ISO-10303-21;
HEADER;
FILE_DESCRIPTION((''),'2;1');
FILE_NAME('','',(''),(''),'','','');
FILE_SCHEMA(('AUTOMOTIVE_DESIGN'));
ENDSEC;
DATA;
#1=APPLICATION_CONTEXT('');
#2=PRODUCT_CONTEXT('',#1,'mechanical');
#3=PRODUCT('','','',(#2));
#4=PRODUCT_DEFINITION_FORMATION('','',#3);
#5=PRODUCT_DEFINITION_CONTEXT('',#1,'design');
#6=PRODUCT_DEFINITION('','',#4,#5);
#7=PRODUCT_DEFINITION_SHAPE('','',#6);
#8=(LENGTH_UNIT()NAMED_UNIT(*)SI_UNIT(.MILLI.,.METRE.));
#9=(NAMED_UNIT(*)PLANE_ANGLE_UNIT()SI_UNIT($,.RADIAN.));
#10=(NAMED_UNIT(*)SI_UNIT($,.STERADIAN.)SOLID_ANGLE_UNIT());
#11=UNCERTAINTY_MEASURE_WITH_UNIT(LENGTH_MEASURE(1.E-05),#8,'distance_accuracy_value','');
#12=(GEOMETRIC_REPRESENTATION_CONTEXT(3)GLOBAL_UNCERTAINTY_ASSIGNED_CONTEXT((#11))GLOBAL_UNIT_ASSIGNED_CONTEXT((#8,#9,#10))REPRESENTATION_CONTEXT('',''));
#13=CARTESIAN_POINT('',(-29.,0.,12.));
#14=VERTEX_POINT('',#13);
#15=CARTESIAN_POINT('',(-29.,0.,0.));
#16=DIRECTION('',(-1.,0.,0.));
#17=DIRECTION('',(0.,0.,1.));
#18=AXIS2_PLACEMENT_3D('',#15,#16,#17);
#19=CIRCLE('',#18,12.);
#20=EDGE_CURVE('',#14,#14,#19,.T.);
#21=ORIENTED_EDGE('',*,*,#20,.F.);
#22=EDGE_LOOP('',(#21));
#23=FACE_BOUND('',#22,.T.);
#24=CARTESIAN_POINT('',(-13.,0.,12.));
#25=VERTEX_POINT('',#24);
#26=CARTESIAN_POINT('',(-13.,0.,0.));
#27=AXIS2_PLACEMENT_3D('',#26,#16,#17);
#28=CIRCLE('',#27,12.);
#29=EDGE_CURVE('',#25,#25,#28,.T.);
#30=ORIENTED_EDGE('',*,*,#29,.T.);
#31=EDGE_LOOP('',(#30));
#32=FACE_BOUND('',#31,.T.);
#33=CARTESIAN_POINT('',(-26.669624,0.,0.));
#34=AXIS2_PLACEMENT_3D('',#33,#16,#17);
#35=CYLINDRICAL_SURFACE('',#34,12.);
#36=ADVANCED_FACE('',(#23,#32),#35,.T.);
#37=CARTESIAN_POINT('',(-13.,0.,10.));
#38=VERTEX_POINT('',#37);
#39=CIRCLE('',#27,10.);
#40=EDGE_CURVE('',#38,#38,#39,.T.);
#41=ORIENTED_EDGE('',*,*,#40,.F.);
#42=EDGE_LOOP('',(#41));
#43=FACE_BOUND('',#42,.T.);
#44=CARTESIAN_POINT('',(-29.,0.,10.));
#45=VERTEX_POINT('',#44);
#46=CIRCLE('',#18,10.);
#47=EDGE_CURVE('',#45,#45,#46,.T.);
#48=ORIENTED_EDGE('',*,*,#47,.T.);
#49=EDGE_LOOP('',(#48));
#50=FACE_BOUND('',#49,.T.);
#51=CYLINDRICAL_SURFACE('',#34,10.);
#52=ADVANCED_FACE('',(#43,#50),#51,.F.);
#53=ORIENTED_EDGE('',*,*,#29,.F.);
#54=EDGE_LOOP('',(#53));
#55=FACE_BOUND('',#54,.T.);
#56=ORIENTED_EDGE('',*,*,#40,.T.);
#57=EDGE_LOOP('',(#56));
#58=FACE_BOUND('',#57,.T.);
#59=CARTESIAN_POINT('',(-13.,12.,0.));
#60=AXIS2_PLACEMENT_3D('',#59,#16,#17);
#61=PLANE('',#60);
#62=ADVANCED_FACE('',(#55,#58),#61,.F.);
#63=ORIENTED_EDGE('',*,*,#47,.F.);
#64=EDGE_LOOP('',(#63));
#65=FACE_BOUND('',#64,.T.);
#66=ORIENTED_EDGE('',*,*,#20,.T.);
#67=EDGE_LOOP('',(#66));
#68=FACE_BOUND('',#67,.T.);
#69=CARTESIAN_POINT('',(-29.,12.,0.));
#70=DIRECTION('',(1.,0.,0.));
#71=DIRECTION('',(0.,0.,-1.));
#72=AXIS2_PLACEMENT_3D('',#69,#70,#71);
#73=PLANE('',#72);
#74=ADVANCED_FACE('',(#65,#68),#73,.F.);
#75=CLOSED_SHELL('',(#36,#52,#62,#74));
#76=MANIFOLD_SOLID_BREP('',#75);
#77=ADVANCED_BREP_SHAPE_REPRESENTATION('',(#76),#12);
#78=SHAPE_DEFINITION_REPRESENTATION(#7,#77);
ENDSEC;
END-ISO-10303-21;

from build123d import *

# Parameters (mm, degrees)
SZKIC1_W = 16
SZKIC1_H = 2


with BuildPart() as part:
    # Szkic1 → Obrót1 (revolve)
    with BuildSketch(Plane.XY, mode=Mode.PRIVATE) as obr_t1_sk:
        with Locations((-21, 11)):
            Rectangle(SZKIC1_W, SZKIC1_H)
    revolve(obr_t1_sk.sketch.rotate(Axis((-26.669624201, 0, 0), (1, 0, 0)), 90), axis=Axis((-26.669624201, 0, 0), (1, 0, 0)))


solid = part.part
